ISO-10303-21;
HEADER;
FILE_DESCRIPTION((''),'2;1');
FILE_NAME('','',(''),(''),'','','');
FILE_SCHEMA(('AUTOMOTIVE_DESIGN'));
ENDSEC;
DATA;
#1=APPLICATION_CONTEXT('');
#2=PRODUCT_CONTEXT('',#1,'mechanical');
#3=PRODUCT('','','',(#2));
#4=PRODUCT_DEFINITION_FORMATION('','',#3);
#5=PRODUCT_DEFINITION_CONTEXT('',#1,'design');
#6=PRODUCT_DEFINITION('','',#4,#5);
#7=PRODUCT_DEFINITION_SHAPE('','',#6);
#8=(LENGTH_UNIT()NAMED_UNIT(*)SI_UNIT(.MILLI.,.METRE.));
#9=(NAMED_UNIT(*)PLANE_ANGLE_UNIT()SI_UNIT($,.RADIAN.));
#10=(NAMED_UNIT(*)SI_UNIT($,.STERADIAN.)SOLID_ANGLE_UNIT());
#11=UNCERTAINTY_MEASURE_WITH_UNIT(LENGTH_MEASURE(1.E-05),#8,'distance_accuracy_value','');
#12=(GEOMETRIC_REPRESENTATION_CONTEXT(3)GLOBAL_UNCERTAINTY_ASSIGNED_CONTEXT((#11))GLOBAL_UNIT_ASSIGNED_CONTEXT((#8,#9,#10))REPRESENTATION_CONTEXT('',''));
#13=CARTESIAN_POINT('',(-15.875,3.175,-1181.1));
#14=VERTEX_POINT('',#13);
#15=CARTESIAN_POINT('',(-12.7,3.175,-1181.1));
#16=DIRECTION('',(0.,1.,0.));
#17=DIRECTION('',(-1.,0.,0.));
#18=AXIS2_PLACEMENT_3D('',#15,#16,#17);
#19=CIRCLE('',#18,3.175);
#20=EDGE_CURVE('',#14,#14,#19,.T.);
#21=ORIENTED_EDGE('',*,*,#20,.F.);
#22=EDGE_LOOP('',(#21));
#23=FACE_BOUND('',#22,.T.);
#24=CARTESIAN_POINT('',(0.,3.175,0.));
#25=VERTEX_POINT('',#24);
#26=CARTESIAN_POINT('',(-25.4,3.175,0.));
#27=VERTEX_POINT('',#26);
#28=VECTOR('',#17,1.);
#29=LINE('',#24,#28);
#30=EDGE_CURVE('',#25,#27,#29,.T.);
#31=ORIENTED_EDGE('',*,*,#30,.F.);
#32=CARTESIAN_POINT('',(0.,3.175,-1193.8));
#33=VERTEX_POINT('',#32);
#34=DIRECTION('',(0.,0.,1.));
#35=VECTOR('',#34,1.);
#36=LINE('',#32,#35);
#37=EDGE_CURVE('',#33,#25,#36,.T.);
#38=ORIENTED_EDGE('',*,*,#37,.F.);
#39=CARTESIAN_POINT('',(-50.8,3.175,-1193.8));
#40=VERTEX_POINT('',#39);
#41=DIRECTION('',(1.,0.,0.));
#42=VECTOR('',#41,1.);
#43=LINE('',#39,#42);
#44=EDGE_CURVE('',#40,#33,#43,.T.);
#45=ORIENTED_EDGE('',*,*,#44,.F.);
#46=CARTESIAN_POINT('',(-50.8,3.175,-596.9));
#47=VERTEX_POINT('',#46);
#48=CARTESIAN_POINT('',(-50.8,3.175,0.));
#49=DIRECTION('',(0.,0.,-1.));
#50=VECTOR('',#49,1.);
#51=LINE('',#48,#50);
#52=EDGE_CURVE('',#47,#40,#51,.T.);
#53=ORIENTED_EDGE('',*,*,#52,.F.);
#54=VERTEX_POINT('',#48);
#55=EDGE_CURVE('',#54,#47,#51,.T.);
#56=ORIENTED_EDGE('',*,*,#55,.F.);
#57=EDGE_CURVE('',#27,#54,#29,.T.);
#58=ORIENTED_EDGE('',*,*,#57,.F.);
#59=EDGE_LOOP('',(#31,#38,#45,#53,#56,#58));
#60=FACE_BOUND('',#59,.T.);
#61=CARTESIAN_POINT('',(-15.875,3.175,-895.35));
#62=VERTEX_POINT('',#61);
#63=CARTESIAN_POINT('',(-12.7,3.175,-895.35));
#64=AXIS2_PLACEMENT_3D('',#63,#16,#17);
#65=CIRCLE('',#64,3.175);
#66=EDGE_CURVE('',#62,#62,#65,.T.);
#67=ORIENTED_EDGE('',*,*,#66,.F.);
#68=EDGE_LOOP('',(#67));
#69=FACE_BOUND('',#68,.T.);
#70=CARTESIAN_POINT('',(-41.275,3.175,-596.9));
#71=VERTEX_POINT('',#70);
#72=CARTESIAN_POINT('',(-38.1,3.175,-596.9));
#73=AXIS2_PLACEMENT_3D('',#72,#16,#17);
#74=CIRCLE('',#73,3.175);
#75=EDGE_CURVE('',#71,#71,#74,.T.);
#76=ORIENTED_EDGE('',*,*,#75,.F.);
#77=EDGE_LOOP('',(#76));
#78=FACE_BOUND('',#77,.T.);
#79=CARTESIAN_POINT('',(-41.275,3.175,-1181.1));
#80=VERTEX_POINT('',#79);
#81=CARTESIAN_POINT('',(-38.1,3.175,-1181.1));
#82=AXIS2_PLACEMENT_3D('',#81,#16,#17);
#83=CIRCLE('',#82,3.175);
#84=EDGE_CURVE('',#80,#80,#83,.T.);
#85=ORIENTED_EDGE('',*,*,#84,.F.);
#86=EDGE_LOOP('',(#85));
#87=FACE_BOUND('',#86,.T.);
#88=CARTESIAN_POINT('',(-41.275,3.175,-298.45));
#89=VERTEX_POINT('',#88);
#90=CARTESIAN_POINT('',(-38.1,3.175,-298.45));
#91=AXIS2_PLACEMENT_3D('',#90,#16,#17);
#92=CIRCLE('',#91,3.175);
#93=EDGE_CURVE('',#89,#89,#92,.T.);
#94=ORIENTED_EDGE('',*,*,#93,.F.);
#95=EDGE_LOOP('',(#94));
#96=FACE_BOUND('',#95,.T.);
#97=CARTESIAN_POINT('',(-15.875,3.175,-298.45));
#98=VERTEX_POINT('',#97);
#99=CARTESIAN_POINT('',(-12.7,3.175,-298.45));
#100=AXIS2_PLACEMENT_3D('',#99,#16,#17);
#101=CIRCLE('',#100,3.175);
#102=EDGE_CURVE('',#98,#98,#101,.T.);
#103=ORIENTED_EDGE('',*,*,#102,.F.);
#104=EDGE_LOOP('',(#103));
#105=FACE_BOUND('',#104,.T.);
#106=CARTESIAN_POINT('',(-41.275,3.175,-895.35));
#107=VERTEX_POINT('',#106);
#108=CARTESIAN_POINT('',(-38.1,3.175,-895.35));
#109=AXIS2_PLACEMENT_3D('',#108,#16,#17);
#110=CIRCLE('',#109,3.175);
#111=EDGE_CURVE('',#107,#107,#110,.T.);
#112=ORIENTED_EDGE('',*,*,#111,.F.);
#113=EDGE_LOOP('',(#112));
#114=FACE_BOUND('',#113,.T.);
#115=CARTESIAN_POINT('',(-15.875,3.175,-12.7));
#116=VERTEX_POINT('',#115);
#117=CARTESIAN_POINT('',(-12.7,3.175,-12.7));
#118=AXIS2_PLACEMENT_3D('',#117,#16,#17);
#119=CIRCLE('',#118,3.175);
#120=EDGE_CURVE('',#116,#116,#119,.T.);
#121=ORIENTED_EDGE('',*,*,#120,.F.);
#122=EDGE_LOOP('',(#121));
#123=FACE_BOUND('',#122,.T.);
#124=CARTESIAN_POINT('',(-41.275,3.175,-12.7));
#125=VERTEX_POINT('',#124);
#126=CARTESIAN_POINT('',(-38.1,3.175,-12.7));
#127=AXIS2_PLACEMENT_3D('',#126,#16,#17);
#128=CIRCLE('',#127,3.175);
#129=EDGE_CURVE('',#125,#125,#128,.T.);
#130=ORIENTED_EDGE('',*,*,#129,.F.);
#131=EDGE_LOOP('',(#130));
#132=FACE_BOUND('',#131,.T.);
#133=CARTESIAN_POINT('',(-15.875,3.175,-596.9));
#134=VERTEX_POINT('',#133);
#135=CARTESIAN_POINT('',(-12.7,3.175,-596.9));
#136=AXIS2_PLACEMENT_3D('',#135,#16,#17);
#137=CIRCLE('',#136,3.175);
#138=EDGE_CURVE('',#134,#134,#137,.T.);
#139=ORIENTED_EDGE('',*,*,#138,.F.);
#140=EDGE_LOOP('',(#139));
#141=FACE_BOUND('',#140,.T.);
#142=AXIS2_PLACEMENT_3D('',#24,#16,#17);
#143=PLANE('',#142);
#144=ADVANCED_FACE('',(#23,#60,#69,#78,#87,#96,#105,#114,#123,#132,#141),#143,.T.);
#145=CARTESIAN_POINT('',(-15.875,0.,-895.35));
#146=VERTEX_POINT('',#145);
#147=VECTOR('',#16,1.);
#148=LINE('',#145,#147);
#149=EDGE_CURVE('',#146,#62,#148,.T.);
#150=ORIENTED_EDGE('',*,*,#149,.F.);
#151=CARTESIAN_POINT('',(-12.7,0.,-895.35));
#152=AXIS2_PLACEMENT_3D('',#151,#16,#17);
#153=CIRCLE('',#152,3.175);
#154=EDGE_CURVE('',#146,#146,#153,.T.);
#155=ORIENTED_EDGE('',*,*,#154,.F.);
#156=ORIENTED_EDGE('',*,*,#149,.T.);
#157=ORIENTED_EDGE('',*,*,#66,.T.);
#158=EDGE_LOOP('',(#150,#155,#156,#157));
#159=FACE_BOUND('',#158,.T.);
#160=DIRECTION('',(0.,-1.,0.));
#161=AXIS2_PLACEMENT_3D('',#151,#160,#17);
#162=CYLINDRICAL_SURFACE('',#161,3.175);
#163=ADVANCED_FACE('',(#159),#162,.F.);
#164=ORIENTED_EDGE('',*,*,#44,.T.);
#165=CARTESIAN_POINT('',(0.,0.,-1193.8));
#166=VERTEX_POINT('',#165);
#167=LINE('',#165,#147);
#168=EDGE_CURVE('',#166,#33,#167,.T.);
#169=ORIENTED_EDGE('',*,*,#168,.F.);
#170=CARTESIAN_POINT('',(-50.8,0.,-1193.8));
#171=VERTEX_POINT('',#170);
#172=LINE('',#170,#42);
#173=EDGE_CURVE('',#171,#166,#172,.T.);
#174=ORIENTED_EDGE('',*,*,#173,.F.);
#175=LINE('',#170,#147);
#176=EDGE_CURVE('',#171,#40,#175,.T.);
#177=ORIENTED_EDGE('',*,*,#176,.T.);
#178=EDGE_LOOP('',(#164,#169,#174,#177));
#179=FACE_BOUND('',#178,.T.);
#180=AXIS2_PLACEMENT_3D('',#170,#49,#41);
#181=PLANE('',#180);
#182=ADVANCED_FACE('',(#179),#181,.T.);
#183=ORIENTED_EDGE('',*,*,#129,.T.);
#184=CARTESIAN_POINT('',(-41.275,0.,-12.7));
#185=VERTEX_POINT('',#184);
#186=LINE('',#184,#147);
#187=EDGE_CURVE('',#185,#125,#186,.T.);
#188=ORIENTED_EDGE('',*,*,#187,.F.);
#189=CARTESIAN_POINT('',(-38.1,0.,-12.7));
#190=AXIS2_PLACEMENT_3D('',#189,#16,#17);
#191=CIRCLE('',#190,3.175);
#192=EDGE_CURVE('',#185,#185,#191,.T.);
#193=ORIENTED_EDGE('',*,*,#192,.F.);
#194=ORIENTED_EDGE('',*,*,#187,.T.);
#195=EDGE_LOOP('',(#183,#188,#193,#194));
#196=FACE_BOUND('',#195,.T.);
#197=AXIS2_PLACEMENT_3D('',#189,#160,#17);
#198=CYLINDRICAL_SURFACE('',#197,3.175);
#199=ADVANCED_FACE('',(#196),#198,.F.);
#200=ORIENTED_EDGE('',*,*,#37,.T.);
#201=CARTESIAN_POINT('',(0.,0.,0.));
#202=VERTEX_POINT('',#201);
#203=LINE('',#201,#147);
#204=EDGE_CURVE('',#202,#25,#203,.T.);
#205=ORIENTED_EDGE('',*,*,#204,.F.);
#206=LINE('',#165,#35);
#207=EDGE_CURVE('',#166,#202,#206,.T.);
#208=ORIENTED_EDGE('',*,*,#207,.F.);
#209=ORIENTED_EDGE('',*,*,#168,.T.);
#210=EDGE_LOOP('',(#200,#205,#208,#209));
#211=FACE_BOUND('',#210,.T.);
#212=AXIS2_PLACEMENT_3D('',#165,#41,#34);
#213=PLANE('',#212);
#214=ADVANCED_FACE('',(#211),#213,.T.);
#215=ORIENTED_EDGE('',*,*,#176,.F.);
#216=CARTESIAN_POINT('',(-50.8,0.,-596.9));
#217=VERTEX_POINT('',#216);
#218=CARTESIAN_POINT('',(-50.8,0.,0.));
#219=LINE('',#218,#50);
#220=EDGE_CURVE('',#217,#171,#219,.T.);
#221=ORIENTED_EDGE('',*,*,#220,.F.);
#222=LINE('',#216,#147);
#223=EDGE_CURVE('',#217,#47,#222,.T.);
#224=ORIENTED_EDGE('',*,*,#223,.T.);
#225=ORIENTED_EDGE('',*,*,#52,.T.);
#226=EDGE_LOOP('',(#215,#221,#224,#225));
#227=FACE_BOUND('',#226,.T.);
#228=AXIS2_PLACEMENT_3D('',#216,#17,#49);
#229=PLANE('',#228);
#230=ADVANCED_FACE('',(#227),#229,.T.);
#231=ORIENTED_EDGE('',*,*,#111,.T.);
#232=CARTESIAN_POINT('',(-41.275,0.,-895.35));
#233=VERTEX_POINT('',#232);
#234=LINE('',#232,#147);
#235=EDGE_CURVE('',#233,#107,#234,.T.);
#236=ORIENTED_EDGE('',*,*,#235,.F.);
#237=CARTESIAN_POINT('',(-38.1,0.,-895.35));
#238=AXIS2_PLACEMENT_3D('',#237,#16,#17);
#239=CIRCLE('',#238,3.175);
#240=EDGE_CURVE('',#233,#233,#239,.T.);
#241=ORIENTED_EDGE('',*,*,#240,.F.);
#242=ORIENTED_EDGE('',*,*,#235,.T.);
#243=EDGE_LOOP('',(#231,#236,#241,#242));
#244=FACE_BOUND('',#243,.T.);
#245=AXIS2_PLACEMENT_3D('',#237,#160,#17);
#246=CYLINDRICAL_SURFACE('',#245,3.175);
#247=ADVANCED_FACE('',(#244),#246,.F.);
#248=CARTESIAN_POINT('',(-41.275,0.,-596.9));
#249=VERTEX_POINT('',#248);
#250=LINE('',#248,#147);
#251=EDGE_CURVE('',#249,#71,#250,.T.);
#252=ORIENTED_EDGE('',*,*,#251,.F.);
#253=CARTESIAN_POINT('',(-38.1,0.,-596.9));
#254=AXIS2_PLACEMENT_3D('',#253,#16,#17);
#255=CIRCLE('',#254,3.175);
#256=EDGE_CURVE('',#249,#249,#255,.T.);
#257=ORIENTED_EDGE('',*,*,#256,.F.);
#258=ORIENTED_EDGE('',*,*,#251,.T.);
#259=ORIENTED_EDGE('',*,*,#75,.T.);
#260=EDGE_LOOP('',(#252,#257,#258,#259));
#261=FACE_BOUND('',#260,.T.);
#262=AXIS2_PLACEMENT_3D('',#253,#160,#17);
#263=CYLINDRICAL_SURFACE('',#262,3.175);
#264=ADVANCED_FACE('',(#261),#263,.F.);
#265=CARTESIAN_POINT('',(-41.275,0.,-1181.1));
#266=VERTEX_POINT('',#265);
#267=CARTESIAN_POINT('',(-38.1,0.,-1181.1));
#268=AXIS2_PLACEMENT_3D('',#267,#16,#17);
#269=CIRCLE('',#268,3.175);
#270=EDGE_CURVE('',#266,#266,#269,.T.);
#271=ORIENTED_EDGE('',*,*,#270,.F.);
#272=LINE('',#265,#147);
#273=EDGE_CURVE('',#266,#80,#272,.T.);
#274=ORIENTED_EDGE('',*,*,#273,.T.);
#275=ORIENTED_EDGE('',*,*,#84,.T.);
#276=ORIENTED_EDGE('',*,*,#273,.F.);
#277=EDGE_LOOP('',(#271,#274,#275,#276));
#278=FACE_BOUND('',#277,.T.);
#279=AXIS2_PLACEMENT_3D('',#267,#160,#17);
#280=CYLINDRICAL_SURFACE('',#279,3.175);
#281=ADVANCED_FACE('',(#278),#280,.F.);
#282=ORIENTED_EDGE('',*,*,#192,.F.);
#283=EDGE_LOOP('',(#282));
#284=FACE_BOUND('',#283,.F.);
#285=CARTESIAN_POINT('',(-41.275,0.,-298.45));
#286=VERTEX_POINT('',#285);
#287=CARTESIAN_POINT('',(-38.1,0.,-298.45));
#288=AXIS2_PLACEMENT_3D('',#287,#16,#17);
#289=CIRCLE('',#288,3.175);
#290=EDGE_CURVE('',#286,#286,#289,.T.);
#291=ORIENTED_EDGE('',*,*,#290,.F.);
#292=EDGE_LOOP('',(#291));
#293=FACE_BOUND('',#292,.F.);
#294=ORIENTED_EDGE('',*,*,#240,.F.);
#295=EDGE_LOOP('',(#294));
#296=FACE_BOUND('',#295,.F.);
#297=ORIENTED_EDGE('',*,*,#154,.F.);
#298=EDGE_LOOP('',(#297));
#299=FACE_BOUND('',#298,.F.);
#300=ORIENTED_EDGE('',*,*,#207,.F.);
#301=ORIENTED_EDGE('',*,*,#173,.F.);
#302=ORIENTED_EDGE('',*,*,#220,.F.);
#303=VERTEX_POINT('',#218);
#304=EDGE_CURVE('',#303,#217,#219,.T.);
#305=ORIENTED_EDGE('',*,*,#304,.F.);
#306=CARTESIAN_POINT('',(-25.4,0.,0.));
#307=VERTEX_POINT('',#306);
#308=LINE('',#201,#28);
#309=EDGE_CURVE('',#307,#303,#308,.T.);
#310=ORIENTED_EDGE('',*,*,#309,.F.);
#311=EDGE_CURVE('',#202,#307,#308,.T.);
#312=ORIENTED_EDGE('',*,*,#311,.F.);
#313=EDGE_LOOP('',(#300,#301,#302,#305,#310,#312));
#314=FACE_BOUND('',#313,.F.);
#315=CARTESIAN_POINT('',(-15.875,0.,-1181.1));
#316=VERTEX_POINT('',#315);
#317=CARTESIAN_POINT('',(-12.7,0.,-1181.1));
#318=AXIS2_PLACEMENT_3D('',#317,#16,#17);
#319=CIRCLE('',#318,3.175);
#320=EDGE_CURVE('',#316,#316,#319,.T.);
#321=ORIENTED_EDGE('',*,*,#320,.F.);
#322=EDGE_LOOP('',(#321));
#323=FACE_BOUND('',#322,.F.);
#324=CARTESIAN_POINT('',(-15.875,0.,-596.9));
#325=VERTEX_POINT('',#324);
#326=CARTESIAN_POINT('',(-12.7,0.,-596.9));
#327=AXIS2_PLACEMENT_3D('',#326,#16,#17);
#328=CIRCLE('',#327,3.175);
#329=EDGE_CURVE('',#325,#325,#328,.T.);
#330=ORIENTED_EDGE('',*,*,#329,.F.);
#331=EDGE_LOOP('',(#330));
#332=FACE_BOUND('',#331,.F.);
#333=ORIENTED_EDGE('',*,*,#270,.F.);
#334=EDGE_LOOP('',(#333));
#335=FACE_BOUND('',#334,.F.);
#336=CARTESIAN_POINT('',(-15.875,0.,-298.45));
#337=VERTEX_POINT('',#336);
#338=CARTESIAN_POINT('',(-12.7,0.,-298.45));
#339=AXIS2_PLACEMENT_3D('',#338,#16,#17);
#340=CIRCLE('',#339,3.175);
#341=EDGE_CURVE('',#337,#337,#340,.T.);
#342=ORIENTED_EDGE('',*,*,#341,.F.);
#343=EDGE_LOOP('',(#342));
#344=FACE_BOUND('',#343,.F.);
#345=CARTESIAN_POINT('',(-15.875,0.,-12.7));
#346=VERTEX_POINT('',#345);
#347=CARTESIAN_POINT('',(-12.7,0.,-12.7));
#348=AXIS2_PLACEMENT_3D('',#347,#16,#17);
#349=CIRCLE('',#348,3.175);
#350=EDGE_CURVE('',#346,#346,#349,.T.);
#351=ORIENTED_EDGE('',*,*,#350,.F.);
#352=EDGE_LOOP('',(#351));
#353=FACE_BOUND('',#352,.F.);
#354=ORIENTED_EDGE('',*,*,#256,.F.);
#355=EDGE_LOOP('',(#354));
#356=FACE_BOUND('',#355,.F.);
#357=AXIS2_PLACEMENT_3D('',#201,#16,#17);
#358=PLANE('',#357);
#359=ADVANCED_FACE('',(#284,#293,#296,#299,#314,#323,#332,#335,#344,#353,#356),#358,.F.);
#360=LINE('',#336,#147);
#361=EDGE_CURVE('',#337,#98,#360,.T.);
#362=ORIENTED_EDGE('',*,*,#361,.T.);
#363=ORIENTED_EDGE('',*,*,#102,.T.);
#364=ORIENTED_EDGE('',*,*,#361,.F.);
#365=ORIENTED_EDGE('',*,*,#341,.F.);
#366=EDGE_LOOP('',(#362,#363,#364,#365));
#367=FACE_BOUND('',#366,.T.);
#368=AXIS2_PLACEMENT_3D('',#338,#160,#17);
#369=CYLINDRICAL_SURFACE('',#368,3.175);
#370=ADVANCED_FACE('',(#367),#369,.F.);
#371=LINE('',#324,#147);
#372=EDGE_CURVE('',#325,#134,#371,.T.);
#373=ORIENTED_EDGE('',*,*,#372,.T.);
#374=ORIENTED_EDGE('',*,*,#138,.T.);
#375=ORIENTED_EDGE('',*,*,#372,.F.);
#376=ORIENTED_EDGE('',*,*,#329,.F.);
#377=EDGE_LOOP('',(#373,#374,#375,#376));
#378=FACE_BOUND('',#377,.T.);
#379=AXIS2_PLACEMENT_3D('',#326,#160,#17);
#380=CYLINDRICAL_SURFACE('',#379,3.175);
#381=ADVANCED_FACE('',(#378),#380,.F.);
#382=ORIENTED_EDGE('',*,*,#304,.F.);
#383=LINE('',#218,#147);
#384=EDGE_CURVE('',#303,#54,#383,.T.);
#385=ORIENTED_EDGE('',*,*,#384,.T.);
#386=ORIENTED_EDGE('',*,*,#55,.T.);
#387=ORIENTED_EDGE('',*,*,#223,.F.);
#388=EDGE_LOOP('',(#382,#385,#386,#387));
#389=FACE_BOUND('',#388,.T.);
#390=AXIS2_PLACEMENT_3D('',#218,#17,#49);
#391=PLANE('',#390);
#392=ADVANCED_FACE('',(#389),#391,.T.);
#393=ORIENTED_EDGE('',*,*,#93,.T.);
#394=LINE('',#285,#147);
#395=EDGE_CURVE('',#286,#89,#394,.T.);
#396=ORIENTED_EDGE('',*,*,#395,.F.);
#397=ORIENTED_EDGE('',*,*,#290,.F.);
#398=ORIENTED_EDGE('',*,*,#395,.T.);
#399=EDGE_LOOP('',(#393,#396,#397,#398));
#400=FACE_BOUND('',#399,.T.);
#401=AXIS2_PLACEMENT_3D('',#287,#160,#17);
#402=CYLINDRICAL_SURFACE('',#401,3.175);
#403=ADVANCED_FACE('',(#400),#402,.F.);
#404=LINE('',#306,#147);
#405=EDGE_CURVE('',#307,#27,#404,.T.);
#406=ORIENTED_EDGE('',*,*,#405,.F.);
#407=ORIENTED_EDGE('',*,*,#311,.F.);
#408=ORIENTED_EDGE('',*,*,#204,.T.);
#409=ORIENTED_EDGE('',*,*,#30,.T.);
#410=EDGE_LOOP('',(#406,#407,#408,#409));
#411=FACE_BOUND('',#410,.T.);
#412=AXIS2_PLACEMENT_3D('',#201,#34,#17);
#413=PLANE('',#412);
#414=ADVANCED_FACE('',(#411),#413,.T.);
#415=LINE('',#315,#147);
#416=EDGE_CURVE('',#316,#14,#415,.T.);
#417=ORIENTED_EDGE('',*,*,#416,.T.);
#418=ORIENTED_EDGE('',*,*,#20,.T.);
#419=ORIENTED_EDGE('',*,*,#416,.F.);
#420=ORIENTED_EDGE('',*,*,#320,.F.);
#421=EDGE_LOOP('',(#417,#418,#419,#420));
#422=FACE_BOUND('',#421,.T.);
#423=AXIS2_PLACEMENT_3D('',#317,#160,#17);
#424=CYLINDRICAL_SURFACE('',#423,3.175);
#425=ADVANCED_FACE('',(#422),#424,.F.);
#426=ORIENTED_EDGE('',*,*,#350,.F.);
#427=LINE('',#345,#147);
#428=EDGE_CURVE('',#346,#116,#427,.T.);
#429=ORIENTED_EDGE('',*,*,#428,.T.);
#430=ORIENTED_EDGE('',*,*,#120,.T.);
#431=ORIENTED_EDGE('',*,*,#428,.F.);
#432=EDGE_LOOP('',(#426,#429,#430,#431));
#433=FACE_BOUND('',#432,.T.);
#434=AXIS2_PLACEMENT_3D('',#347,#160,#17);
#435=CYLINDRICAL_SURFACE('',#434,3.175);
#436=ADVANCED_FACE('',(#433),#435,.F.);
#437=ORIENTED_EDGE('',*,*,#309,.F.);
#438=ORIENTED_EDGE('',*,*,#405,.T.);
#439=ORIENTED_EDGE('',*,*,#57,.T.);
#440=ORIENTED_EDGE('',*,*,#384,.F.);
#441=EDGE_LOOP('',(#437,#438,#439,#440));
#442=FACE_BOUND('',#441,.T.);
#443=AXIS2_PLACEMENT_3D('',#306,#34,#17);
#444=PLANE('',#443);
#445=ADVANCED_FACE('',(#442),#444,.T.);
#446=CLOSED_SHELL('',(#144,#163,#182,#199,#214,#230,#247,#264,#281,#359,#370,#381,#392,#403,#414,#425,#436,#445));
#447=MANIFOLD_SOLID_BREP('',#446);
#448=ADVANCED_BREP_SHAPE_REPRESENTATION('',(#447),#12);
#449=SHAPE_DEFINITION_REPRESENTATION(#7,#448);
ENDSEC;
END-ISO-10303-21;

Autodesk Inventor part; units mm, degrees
ref_plane "YZ Plane" through (0, 0, 0) normal (1, 0, 0) x (0, 1, 0)
ref_plane "XZ Plane" through (0, 0, 0) normal (0, 1, 0) x (-1, 0, 0)
ref_plane "XY Plane" through (0, 0, 0) normal (0, 0, 1) x (1, 0, 0)
sketch "Sketch1" plane through (0, 0, 0) normal (0, 1, 0) x (-1, 0, 0)
  line L0 (0, 0) -> (50.8, 0)
  line L1 (50.8, 0) -> (50.8, -1193.8)
  line L2 (50.8, -1193.8) -> (0, -1193.8)
  line L3 (0, -1193.8) -> (0, 0)
  circle A0 centre (38.1, -12.7) radius 3.175
  circle A1 centre (38.1, -298.45) radius 3.175
  circle A2 centre (38.1, -596.9) radius 3.175
  line L4 (50.8, -596.9) -> (48.4554, -596.9)
  line L5 (25.4, 0) -> (25.4, -12.7)
  circle A3 centre (38.1, -1181.1) radius 3.175
  circle A4 centre (38.1, -895.35) radius 3.175
  circle A5 centre (12.7, -298.45) radius 3.175
  circle A6 centre (12.7, -596.9) radius 3.175
  circle A7 centre (12.7, -1181.1) radius 3.175
  circle A8 centre (12.7, -895.35) radius 3.175
  circle A9 centre (12.7, -12.7) radius 3.175
  dimension "d0" = 50.8
  dimension "d1" = 1193.8
  dimension "d4" = 6.35
  dimension "d5" = 12.7
  dimension "d6" = 12.7
  dimension "d7" = 6.35
  dimension "d8" = 298.45
  dimension "d9" = 6.35
  dimension "d10" = 596.9
  dimension "d11" = 6.35
extrude "Extrusion1" add sketch "Sketch1" along normal blind 3.175
properties part number "Plate2inx47in"
